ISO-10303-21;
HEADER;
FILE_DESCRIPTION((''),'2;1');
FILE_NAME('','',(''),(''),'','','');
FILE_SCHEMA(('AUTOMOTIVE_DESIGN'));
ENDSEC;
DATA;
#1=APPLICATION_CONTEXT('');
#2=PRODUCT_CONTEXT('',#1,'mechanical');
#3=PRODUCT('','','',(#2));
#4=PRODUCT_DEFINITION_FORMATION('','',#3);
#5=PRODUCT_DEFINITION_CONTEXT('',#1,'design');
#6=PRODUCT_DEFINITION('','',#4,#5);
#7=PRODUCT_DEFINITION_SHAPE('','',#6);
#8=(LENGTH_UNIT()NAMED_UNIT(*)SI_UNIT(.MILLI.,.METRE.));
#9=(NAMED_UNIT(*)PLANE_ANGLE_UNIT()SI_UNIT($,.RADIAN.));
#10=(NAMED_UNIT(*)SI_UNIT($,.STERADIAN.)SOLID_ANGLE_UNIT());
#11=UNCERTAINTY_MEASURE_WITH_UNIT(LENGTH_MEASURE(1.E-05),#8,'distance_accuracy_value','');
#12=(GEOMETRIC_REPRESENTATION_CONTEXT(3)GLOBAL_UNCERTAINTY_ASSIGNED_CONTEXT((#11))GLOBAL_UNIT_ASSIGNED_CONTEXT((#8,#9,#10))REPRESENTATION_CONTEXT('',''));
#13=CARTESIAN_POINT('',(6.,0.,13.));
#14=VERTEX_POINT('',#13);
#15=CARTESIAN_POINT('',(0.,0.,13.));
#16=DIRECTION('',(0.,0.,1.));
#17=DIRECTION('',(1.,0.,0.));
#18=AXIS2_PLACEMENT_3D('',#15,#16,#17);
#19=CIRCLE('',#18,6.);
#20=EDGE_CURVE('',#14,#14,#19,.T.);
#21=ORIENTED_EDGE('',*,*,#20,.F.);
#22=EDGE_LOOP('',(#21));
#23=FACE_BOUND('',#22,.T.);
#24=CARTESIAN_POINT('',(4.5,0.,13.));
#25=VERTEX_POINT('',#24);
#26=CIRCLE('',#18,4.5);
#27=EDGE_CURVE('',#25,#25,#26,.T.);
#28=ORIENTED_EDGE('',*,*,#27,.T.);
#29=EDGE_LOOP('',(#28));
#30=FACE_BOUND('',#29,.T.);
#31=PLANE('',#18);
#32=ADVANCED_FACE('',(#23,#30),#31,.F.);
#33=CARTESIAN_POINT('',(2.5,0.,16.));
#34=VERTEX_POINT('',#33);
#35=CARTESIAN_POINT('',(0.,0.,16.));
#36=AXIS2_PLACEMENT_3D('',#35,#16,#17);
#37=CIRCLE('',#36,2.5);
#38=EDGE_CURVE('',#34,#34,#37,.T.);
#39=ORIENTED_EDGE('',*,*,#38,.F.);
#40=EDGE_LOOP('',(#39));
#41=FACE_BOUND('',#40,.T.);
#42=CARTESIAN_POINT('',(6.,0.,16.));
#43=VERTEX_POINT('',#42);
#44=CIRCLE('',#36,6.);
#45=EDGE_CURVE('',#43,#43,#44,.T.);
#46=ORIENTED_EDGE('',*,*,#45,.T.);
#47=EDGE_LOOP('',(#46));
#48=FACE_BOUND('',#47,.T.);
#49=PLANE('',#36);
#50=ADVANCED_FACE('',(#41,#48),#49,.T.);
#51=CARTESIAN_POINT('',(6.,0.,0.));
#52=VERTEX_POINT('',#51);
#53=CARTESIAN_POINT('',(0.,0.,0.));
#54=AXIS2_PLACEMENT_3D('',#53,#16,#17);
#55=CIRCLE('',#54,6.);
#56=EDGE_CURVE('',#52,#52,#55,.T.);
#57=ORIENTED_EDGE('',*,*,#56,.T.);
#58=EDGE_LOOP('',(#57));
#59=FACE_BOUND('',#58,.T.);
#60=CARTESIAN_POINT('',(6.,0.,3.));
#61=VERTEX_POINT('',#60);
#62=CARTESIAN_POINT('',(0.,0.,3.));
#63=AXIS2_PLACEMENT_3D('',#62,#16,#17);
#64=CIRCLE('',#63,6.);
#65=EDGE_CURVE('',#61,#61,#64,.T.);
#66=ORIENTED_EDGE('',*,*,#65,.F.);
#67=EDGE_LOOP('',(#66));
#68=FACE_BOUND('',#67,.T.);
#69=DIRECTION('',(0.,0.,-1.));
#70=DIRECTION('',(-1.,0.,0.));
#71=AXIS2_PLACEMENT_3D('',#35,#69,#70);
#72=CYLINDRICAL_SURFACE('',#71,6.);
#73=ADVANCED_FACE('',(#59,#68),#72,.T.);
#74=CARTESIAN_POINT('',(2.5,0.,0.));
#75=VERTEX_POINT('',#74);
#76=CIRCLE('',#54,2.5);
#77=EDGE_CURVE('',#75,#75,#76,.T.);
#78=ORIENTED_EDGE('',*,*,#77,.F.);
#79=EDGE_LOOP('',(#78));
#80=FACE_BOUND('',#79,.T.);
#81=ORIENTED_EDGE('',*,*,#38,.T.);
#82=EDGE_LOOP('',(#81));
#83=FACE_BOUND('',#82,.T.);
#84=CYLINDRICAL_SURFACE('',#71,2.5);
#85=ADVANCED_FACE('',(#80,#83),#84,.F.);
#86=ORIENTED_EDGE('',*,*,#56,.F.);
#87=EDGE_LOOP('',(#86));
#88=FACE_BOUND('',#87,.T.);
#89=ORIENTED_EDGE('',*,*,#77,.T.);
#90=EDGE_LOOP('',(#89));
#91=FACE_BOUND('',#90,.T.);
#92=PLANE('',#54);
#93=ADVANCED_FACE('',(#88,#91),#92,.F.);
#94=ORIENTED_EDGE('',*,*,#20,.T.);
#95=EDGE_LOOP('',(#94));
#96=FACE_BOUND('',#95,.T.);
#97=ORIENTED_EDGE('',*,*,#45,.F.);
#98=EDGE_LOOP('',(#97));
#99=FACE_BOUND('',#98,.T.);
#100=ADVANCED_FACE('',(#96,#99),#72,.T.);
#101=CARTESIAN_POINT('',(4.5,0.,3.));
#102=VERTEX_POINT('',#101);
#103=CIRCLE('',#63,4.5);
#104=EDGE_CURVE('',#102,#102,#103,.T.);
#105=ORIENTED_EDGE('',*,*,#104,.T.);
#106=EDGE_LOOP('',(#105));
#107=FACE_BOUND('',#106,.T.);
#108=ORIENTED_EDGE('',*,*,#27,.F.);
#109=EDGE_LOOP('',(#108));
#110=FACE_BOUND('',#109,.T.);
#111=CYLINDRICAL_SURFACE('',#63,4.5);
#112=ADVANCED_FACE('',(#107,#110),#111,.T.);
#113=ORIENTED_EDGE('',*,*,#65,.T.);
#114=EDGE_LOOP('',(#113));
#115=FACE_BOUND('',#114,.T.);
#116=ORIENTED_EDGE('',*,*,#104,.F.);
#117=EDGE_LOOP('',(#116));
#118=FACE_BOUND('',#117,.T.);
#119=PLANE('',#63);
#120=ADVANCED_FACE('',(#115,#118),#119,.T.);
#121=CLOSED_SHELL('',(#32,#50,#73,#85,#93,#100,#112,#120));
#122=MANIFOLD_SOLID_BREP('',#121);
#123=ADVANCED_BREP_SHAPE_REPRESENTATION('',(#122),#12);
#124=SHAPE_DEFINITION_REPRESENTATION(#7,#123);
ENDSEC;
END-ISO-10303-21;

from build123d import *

# Parameters (mm, degrees)
SKETCH_1_R          = 6
SKETCH_1_R_2        = 2.5
EXTRUDE_1_DEPTH     = 16
CUT_EXTRUDE_START   = -10
SKETCH_2_R          = 6
SKETCH_2_R_2        = 4.5
CUT_EXTRUDE_2_DEPTH = 10


with BuildPart() as part:
    # Эскиз1 → Вытянуть1 (new body)
    with BuildSketch(Plane.XY):
        Circle(SKETCH_1_R)
        Circle(SKETCH_1_R_2, mode=Mode.SUBTRACT)
    extrude(amount=EXTRUDE_1_DEPTH)

    # Эскиз2 → Вытянуть2 (cut)
    with BuildSketch(Plane.XY.offset(13).offset(CUT_EXTRUDE_START)):
        Circle(SKETCH_2_R)
        Circle(SKETCH_2_R_2, mode=Mode.SUBTRACT)
    extrude(amount=CUT_EXTRUDE_2_DEPTH, mode=Mode.SUBTRACT)


solid = part.part
